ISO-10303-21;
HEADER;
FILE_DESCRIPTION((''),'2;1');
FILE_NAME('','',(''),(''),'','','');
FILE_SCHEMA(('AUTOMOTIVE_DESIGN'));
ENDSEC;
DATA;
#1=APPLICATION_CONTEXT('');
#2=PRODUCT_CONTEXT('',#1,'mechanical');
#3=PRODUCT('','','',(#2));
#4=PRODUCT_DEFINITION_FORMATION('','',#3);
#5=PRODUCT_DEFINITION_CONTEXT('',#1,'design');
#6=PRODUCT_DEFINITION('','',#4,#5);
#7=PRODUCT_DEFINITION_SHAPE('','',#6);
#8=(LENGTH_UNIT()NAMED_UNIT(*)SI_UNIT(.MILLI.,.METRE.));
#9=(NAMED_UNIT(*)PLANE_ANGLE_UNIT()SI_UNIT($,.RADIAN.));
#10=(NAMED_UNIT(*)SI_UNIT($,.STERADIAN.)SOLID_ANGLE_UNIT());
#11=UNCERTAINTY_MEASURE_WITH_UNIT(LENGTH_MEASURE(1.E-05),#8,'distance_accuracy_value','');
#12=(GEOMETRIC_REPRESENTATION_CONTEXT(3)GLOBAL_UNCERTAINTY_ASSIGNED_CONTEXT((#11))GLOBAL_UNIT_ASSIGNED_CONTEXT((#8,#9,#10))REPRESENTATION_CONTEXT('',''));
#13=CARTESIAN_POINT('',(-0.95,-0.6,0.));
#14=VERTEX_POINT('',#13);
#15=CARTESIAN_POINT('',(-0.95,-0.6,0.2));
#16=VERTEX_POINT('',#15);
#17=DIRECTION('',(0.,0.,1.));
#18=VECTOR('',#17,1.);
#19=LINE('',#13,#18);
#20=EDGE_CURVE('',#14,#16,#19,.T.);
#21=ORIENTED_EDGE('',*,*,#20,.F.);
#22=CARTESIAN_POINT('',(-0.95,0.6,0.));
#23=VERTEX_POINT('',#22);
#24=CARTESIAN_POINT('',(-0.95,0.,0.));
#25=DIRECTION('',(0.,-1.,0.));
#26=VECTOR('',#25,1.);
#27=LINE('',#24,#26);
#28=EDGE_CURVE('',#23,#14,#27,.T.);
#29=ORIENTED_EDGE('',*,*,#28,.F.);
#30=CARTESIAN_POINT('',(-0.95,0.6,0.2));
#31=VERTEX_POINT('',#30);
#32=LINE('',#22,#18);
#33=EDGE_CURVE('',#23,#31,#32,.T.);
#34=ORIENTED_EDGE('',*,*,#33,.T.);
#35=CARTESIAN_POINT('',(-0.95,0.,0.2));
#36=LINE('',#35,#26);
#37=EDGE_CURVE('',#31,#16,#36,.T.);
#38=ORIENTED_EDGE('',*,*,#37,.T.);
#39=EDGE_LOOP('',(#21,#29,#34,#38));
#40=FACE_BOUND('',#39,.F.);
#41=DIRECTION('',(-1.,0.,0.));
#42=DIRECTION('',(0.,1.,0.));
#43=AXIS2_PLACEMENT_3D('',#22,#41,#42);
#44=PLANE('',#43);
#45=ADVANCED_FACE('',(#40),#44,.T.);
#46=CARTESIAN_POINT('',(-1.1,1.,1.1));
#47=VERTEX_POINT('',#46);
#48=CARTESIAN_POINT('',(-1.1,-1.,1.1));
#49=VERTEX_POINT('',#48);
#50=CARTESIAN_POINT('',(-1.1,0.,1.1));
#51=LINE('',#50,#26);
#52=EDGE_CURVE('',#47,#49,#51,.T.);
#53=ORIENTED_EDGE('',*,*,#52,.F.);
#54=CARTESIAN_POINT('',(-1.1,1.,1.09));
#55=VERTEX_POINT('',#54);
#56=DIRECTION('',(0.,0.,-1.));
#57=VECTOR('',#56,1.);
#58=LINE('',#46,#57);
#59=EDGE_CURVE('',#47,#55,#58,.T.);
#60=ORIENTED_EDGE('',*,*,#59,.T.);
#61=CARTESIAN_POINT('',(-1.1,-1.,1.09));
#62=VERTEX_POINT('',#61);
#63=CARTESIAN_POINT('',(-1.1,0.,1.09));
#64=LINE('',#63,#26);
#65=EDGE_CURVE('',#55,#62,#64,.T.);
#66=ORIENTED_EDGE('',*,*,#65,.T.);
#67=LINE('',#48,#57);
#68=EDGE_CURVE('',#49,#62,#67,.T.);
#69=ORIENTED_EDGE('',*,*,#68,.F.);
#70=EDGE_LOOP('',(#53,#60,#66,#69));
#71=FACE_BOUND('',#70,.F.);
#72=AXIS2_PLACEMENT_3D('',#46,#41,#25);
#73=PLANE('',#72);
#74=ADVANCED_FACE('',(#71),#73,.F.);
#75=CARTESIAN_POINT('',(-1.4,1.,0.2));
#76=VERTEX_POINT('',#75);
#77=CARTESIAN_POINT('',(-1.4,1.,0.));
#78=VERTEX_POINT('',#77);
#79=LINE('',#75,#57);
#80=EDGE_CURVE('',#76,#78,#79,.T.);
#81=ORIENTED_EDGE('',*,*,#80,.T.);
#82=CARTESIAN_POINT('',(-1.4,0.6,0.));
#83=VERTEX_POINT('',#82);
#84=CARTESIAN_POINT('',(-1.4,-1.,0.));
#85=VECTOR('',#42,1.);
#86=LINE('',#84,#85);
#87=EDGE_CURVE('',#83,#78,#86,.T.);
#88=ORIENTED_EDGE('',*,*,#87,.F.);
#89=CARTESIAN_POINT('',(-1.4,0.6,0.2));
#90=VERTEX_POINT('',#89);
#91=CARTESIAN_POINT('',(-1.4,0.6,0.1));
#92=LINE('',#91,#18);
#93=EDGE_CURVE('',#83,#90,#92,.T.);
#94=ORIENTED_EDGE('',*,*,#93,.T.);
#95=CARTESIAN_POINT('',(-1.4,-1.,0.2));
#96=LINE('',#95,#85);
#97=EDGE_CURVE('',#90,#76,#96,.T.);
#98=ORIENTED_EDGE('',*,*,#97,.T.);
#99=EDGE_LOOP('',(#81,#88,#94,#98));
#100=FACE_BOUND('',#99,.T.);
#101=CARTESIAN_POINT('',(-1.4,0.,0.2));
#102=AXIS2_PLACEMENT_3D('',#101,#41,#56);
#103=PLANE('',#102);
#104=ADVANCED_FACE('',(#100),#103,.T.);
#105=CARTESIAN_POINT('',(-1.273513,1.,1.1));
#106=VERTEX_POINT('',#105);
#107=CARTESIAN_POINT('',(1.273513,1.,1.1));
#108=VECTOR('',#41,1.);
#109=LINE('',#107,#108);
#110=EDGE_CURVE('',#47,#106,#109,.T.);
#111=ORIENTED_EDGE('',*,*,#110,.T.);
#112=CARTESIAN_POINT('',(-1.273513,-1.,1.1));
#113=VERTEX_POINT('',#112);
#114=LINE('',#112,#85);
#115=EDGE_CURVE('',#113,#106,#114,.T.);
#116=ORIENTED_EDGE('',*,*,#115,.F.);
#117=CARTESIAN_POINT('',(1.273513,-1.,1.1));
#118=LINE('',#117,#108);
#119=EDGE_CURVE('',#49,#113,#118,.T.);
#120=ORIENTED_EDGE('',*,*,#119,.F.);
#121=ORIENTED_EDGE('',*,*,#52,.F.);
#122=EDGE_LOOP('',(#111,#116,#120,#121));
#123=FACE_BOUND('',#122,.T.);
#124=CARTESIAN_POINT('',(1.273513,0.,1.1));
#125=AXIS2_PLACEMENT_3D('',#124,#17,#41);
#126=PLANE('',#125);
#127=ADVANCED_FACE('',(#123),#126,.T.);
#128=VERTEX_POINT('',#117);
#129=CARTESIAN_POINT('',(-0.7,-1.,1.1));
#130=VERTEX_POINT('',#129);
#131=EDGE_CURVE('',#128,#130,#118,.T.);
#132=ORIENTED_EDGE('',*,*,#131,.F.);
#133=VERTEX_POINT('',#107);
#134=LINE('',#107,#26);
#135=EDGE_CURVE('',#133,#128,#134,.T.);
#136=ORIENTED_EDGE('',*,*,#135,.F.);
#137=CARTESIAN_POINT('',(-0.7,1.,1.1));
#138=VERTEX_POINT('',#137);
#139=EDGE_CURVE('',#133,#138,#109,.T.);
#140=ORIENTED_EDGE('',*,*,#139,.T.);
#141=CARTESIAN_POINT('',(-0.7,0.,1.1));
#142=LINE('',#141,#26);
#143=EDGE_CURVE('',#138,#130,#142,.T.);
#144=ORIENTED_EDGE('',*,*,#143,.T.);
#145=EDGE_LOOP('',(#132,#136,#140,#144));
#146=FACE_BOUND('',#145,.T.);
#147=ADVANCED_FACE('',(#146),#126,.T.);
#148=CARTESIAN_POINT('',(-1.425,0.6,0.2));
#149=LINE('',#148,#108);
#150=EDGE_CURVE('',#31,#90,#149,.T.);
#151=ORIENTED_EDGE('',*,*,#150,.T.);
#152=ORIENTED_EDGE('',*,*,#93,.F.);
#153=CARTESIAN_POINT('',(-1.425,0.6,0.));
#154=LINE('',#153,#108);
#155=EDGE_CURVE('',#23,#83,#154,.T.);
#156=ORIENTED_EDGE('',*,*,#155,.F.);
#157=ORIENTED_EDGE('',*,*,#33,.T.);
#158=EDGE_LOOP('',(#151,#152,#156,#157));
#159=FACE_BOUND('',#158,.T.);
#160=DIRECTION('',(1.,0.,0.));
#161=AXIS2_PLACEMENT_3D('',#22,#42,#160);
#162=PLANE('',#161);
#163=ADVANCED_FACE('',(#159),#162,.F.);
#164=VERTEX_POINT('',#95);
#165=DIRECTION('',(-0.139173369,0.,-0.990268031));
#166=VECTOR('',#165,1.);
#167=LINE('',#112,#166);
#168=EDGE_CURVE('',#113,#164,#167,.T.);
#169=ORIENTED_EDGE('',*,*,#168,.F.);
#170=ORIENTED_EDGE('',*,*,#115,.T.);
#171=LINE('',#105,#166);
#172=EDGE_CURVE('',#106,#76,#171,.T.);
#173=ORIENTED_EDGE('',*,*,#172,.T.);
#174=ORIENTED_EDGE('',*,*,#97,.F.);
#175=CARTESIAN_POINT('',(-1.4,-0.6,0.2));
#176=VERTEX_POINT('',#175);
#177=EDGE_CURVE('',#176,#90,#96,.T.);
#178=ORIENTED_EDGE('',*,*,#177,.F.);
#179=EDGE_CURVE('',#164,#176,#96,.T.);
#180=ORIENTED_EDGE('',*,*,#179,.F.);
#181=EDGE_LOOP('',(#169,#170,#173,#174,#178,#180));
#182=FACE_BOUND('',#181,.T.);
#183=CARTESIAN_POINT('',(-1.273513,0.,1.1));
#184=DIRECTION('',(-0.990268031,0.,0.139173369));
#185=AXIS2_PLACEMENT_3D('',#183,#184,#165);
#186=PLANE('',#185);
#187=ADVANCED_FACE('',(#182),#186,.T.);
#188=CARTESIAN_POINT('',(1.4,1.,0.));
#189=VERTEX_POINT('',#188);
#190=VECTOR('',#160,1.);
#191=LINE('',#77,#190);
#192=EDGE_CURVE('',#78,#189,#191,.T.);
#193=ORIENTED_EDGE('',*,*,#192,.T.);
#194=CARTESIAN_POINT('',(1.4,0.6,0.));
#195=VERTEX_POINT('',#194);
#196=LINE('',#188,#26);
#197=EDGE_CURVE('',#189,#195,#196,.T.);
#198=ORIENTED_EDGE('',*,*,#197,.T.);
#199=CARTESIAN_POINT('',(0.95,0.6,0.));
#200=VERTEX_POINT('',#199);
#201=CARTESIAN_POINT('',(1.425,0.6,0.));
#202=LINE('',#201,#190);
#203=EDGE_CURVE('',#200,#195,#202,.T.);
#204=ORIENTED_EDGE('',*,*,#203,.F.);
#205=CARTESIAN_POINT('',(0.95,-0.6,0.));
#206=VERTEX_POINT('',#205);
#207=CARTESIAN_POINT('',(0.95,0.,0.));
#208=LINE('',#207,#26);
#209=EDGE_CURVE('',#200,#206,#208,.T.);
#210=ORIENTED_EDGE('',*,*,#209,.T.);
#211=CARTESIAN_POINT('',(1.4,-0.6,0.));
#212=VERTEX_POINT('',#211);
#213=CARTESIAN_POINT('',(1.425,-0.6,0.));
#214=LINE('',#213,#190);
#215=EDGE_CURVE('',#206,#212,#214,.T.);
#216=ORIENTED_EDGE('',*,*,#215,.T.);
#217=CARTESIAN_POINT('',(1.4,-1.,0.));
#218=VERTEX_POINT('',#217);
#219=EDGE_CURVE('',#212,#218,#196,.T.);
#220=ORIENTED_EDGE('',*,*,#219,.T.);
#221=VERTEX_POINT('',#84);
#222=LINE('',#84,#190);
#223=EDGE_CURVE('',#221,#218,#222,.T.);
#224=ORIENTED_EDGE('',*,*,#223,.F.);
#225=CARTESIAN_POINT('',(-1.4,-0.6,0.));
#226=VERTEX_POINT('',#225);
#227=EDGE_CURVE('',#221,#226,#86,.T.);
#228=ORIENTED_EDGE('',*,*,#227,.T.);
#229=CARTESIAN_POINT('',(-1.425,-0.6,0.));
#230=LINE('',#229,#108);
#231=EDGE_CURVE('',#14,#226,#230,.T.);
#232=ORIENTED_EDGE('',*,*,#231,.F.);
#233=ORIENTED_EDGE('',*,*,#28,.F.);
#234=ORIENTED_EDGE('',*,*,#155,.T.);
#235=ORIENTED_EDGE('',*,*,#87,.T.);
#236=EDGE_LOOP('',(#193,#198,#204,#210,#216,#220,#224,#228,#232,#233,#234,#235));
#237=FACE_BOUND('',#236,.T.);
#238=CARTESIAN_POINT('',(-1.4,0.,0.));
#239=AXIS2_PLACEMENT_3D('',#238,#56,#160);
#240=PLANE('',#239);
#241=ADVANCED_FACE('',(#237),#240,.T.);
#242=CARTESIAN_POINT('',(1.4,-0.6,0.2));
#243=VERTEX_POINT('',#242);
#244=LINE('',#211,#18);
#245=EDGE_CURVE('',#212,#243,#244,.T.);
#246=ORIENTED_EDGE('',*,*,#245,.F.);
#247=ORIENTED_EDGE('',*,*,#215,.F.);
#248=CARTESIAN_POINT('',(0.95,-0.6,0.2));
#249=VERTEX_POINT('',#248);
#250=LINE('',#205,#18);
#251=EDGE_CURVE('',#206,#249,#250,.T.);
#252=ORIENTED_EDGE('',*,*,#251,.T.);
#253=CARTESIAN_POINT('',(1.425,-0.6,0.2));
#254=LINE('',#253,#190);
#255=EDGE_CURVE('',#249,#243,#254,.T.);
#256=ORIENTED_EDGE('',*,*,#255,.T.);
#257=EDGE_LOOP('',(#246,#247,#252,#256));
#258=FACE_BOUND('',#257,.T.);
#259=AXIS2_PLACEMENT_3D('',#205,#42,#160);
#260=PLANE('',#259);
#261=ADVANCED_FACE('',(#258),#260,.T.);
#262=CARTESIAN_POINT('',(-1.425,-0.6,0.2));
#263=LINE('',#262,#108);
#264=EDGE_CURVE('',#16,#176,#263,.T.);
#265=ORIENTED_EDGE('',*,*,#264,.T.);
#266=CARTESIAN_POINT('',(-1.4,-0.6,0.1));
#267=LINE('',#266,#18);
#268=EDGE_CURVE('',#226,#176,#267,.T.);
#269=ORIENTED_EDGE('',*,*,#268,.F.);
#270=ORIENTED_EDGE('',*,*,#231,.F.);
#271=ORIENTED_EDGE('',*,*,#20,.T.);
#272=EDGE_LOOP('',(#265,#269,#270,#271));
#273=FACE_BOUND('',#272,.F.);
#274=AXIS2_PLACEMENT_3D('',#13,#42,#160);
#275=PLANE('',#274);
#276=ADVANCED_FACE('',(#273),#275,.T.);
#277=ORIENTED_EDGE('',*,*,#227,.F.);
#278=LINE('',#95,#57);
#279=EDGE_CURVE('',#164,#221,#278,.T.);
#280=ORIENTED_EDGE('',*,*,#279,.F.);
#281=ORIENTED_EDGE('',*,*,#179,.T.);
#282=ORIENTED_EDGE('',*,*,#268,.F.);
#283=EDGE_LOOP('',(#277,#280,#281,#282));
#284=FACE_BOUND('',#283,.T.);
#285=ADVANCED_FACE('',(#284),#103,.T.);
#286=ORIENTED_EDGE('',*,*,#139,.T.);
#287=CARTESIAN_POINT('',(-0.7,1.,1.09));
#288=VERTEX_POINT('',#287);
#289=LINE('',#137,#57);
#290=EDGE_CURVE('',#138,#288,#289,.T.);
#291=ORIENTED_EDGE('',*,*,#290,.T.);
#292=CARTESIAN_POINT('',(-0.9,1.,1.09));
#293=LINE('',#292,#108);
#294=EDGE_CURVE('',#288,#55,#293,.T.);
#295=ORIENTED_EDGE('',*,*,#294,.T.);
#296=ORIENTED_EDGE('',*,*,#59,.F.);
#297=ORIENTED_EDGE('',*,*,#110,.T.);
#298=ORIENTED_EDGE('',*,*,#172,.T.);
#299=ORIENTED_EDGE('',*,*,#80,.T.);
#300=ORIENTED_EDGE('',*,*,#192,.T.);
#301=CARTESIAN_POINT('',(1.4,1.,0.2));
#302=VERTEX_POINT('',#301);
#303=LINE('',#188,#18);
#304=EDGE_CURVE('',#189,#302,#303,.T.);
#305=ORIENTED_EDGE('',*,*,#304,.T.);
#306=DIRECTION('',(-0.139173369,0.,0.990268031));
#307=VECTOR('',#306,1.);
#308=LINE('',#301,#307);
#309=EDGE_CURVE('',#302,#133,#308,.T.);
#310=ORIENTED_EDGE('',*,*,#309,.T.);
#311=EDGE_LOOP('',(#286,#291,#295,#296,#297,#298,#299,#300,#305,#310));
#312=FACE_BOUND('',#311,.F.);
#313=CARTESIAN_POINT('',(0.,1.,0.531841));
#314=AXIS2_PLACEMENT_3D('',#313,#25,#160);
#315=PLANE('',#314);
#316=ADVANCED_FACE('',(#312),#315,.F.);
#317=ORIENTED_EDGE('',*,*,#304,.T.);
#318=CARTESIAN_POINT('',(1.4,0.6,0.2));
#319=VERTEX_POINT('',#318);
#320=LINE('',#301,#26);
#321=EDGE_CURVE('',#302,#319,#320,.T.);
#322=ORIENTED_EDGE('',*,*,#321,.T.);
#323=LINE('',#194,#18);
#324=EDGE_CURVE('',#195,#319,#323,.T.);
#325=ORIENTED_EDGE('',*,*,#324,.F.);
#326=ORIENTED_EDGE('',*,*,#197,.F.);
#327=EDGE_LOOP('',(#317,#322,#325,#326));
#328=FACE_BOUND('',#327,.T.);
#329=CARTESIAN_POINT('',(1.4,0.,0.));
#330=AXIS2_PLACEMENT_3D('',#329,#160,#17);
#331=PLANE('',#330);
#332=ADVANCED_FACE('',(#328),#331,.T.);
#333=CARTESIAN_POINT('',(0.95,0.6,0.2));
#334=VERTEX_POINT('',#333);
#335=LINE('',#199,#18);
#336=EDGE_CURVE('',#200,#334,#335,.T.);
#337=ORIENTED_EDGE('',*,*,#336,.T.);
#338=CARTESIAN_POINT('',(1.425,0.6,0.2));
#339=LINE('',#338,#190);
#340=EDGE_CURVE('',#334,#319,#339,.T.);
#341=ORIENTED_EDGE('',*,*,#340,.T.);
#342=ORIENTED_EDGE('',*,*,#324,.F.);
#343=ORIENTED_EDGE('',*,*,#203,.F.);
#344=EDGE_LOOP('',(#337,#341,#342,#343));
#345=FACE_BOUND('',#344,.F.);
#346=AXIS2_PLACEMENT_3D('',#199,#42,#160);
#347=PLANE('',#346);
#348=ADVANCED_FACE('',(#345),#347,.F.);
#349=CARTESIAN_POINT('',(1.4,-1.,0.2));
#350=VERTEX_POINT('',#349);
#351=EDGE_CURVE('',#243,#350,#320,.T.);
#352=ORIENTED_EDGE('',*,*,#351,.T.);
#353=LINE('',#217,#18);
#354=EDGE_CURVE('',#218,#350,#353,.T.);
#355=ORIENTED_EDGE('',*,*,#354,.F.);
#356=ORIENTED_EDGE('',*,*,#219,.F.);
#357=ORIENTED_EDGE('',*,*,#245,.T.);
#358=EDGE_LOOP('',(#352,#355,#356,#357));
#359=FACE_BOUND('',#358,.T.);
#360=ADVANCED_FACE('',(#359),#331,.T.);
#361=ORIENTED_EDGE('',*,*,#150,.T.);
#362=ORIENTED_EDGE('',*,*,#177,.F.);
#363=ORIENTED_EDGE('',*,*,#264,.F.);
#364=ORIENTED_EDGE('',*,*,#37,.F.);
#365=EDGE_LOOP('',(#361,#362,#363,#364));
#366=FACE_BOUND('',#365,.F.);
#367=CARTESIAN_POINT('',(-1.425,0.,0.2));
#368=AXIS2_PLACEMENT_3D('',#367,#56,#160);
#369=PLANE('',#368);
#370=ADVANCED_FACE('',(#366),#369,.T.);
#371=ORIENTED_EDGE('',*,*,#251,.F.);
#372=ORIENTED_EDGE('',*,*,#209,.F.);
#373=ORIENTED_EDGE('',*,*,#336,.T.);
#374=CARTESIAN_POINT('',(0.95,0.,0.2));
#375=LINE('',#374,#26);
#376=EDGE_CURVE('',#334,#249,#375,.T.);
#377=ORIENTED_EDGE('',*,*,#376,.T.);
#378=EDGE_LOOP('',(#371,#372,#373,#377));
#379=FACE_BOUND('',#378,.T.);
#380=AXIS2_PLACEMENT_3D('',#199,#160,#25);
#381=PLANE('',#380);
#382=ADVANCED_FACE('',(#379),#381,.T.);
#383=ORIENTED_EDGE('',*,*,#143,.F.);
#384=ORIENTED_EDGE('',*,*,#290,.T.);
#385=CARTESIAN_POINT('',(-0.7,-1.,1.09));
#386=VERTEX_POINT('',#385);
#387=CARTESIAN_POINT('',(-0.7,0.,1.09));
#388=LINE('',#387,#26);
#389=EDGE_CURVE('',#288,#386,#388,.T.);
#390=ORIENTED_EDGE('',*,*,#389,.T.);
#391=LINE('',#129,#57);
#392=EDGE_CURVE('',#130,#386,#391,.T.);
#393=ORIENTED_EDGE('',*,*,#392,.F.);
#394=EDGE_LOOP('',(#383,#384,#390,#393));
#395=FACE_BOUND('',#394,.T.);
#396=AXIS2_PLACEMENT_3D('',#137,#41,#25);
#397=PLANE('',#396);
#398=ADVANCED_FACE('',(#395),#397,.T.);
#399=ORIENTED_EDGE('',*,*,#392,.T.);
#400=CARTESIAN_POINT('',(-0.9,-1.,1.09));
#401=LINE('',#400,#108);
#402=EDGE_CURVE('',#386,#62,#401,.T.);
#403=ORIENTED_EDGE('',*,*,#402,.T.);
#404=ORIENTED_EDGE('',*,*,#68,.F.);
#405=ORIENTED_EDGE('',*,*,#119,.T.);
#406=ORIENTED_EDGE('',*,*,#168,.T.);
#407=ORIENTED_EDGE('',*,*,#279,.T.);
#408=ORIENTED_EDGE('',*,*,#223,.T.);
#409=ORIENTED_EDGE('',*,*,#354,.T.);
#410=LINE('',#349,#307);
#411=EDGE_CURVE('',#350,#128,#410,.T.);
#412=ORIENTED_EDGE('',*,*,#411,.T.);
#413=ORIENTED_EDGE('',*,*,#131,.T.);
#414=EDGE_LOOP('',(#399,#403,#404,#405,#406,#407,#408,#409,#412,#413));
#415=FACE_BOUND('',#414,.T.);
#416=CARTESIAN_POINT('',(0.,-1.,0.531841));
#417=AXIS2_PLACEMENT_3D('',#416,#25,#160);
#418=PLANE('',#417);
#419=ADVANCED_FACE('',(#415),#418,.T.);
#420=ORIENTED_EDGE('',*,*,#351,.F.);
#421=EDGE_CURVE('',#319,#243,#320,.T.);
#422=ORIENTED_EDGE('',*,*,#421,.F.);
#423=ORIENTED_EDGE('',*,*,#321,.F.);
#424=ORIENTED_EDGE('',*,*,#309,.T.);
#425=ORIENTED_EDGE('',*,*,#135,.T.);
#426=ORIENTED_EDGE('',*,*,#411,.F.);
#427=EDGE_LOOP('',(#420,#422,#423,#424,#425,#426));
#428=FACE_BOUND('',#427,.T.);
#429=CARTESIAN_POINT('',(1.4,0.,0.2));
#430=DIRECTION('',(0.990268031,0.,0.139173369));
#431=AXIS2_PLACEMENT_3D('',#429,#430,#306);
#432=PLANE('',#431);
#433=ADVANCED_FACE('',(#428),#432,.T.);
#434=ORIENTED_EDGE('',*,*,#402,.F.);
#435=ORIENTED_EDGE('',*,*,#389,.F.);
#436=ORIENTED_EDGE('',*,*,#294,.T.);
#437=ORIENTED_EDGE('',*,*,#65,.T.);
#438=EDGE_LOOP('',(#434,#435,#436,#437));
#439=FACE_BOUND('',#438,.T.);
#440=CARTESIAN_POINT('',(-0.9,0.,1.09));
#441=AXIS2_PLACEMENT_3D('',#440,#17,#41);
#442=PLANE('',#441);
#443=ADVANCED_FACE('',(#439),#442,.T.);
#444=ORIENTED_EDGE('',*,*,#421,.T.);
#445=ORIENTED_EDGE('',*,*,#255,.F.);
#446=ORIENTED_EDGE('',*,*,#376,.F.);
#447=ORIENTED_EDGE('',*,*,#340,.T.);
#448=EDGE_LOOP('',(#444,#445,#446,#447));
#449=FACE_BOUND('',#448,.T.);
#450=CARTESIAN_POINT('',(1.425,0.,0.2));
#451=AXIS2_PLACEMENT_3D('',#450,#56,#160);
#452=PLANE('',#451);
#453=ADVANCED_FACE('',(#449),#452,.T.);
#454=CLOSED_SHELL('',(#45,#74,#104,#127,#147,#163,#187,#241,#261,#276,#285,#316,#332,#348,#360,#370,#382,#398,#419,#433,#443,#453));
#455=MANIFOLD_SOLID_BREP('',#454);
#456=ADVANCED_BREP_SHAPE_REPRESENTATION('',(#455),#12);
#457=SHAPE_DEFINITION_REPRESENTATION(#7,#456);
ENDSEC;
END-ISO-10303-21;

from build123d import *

# Parameters (mm, degrees)
PAD_DEPTH       = 1
SKETCH003_W     = 0.4
SKETCH003_H     = 2
POCKET_DEPTH    = 0.01
SKETCH005_W     = 0.95
SKETCH005_H     = 1.2
POCKET001_DEPTH = 0.2


with BuildPart() as part:
    # Sketch → Pad (new body, symmetric)
    with BuildSketch(Plane.XZ):
        Polygon((-1.4, 0), (1.4, 0), (1.4, 0.2), (1.273513, 1.1), (-1.273513, 1.1), (-1.4, 0.2), align=None)
    extrude(amount=PAD_DEPTH, both=True)

    # Sketch003 (on Face1 of Pad) → Pocket (cut)
    with BuildSketch(Plane(origin=(0, 0, 1.1), x_dir=(-1, 0, 0), z_dir=(0, 0, 1))):
        with Locations((0.9, 0)):
            Rectangle(SKETCH003_W, SKETCH003_H)
    extrude(amount=-POCKET_DEPTH, mode=Mode.SUBTRACT)

    # Sketch005 (on Face7 of Pocket) → Pocket001 (cut)
    with BuildSketch(Plane(origin=(0, 0, 0), x_dir=(1, 0, 0), z_dir=(0, 0, -1))):
        with Locations((1.425, 0)):
            Rectangle(SKETCH005_W, SKETCH005_H)
    pocket001 = extrude(amount=-POCKET001_DEPTH, mode=Mode.SUBTRACT)

    # Mirrored: Pocket001 across YZ
    add(pocket001.mirror(Plane.YZ), mode=Mode.SUBTRACT)


solid = part.part
